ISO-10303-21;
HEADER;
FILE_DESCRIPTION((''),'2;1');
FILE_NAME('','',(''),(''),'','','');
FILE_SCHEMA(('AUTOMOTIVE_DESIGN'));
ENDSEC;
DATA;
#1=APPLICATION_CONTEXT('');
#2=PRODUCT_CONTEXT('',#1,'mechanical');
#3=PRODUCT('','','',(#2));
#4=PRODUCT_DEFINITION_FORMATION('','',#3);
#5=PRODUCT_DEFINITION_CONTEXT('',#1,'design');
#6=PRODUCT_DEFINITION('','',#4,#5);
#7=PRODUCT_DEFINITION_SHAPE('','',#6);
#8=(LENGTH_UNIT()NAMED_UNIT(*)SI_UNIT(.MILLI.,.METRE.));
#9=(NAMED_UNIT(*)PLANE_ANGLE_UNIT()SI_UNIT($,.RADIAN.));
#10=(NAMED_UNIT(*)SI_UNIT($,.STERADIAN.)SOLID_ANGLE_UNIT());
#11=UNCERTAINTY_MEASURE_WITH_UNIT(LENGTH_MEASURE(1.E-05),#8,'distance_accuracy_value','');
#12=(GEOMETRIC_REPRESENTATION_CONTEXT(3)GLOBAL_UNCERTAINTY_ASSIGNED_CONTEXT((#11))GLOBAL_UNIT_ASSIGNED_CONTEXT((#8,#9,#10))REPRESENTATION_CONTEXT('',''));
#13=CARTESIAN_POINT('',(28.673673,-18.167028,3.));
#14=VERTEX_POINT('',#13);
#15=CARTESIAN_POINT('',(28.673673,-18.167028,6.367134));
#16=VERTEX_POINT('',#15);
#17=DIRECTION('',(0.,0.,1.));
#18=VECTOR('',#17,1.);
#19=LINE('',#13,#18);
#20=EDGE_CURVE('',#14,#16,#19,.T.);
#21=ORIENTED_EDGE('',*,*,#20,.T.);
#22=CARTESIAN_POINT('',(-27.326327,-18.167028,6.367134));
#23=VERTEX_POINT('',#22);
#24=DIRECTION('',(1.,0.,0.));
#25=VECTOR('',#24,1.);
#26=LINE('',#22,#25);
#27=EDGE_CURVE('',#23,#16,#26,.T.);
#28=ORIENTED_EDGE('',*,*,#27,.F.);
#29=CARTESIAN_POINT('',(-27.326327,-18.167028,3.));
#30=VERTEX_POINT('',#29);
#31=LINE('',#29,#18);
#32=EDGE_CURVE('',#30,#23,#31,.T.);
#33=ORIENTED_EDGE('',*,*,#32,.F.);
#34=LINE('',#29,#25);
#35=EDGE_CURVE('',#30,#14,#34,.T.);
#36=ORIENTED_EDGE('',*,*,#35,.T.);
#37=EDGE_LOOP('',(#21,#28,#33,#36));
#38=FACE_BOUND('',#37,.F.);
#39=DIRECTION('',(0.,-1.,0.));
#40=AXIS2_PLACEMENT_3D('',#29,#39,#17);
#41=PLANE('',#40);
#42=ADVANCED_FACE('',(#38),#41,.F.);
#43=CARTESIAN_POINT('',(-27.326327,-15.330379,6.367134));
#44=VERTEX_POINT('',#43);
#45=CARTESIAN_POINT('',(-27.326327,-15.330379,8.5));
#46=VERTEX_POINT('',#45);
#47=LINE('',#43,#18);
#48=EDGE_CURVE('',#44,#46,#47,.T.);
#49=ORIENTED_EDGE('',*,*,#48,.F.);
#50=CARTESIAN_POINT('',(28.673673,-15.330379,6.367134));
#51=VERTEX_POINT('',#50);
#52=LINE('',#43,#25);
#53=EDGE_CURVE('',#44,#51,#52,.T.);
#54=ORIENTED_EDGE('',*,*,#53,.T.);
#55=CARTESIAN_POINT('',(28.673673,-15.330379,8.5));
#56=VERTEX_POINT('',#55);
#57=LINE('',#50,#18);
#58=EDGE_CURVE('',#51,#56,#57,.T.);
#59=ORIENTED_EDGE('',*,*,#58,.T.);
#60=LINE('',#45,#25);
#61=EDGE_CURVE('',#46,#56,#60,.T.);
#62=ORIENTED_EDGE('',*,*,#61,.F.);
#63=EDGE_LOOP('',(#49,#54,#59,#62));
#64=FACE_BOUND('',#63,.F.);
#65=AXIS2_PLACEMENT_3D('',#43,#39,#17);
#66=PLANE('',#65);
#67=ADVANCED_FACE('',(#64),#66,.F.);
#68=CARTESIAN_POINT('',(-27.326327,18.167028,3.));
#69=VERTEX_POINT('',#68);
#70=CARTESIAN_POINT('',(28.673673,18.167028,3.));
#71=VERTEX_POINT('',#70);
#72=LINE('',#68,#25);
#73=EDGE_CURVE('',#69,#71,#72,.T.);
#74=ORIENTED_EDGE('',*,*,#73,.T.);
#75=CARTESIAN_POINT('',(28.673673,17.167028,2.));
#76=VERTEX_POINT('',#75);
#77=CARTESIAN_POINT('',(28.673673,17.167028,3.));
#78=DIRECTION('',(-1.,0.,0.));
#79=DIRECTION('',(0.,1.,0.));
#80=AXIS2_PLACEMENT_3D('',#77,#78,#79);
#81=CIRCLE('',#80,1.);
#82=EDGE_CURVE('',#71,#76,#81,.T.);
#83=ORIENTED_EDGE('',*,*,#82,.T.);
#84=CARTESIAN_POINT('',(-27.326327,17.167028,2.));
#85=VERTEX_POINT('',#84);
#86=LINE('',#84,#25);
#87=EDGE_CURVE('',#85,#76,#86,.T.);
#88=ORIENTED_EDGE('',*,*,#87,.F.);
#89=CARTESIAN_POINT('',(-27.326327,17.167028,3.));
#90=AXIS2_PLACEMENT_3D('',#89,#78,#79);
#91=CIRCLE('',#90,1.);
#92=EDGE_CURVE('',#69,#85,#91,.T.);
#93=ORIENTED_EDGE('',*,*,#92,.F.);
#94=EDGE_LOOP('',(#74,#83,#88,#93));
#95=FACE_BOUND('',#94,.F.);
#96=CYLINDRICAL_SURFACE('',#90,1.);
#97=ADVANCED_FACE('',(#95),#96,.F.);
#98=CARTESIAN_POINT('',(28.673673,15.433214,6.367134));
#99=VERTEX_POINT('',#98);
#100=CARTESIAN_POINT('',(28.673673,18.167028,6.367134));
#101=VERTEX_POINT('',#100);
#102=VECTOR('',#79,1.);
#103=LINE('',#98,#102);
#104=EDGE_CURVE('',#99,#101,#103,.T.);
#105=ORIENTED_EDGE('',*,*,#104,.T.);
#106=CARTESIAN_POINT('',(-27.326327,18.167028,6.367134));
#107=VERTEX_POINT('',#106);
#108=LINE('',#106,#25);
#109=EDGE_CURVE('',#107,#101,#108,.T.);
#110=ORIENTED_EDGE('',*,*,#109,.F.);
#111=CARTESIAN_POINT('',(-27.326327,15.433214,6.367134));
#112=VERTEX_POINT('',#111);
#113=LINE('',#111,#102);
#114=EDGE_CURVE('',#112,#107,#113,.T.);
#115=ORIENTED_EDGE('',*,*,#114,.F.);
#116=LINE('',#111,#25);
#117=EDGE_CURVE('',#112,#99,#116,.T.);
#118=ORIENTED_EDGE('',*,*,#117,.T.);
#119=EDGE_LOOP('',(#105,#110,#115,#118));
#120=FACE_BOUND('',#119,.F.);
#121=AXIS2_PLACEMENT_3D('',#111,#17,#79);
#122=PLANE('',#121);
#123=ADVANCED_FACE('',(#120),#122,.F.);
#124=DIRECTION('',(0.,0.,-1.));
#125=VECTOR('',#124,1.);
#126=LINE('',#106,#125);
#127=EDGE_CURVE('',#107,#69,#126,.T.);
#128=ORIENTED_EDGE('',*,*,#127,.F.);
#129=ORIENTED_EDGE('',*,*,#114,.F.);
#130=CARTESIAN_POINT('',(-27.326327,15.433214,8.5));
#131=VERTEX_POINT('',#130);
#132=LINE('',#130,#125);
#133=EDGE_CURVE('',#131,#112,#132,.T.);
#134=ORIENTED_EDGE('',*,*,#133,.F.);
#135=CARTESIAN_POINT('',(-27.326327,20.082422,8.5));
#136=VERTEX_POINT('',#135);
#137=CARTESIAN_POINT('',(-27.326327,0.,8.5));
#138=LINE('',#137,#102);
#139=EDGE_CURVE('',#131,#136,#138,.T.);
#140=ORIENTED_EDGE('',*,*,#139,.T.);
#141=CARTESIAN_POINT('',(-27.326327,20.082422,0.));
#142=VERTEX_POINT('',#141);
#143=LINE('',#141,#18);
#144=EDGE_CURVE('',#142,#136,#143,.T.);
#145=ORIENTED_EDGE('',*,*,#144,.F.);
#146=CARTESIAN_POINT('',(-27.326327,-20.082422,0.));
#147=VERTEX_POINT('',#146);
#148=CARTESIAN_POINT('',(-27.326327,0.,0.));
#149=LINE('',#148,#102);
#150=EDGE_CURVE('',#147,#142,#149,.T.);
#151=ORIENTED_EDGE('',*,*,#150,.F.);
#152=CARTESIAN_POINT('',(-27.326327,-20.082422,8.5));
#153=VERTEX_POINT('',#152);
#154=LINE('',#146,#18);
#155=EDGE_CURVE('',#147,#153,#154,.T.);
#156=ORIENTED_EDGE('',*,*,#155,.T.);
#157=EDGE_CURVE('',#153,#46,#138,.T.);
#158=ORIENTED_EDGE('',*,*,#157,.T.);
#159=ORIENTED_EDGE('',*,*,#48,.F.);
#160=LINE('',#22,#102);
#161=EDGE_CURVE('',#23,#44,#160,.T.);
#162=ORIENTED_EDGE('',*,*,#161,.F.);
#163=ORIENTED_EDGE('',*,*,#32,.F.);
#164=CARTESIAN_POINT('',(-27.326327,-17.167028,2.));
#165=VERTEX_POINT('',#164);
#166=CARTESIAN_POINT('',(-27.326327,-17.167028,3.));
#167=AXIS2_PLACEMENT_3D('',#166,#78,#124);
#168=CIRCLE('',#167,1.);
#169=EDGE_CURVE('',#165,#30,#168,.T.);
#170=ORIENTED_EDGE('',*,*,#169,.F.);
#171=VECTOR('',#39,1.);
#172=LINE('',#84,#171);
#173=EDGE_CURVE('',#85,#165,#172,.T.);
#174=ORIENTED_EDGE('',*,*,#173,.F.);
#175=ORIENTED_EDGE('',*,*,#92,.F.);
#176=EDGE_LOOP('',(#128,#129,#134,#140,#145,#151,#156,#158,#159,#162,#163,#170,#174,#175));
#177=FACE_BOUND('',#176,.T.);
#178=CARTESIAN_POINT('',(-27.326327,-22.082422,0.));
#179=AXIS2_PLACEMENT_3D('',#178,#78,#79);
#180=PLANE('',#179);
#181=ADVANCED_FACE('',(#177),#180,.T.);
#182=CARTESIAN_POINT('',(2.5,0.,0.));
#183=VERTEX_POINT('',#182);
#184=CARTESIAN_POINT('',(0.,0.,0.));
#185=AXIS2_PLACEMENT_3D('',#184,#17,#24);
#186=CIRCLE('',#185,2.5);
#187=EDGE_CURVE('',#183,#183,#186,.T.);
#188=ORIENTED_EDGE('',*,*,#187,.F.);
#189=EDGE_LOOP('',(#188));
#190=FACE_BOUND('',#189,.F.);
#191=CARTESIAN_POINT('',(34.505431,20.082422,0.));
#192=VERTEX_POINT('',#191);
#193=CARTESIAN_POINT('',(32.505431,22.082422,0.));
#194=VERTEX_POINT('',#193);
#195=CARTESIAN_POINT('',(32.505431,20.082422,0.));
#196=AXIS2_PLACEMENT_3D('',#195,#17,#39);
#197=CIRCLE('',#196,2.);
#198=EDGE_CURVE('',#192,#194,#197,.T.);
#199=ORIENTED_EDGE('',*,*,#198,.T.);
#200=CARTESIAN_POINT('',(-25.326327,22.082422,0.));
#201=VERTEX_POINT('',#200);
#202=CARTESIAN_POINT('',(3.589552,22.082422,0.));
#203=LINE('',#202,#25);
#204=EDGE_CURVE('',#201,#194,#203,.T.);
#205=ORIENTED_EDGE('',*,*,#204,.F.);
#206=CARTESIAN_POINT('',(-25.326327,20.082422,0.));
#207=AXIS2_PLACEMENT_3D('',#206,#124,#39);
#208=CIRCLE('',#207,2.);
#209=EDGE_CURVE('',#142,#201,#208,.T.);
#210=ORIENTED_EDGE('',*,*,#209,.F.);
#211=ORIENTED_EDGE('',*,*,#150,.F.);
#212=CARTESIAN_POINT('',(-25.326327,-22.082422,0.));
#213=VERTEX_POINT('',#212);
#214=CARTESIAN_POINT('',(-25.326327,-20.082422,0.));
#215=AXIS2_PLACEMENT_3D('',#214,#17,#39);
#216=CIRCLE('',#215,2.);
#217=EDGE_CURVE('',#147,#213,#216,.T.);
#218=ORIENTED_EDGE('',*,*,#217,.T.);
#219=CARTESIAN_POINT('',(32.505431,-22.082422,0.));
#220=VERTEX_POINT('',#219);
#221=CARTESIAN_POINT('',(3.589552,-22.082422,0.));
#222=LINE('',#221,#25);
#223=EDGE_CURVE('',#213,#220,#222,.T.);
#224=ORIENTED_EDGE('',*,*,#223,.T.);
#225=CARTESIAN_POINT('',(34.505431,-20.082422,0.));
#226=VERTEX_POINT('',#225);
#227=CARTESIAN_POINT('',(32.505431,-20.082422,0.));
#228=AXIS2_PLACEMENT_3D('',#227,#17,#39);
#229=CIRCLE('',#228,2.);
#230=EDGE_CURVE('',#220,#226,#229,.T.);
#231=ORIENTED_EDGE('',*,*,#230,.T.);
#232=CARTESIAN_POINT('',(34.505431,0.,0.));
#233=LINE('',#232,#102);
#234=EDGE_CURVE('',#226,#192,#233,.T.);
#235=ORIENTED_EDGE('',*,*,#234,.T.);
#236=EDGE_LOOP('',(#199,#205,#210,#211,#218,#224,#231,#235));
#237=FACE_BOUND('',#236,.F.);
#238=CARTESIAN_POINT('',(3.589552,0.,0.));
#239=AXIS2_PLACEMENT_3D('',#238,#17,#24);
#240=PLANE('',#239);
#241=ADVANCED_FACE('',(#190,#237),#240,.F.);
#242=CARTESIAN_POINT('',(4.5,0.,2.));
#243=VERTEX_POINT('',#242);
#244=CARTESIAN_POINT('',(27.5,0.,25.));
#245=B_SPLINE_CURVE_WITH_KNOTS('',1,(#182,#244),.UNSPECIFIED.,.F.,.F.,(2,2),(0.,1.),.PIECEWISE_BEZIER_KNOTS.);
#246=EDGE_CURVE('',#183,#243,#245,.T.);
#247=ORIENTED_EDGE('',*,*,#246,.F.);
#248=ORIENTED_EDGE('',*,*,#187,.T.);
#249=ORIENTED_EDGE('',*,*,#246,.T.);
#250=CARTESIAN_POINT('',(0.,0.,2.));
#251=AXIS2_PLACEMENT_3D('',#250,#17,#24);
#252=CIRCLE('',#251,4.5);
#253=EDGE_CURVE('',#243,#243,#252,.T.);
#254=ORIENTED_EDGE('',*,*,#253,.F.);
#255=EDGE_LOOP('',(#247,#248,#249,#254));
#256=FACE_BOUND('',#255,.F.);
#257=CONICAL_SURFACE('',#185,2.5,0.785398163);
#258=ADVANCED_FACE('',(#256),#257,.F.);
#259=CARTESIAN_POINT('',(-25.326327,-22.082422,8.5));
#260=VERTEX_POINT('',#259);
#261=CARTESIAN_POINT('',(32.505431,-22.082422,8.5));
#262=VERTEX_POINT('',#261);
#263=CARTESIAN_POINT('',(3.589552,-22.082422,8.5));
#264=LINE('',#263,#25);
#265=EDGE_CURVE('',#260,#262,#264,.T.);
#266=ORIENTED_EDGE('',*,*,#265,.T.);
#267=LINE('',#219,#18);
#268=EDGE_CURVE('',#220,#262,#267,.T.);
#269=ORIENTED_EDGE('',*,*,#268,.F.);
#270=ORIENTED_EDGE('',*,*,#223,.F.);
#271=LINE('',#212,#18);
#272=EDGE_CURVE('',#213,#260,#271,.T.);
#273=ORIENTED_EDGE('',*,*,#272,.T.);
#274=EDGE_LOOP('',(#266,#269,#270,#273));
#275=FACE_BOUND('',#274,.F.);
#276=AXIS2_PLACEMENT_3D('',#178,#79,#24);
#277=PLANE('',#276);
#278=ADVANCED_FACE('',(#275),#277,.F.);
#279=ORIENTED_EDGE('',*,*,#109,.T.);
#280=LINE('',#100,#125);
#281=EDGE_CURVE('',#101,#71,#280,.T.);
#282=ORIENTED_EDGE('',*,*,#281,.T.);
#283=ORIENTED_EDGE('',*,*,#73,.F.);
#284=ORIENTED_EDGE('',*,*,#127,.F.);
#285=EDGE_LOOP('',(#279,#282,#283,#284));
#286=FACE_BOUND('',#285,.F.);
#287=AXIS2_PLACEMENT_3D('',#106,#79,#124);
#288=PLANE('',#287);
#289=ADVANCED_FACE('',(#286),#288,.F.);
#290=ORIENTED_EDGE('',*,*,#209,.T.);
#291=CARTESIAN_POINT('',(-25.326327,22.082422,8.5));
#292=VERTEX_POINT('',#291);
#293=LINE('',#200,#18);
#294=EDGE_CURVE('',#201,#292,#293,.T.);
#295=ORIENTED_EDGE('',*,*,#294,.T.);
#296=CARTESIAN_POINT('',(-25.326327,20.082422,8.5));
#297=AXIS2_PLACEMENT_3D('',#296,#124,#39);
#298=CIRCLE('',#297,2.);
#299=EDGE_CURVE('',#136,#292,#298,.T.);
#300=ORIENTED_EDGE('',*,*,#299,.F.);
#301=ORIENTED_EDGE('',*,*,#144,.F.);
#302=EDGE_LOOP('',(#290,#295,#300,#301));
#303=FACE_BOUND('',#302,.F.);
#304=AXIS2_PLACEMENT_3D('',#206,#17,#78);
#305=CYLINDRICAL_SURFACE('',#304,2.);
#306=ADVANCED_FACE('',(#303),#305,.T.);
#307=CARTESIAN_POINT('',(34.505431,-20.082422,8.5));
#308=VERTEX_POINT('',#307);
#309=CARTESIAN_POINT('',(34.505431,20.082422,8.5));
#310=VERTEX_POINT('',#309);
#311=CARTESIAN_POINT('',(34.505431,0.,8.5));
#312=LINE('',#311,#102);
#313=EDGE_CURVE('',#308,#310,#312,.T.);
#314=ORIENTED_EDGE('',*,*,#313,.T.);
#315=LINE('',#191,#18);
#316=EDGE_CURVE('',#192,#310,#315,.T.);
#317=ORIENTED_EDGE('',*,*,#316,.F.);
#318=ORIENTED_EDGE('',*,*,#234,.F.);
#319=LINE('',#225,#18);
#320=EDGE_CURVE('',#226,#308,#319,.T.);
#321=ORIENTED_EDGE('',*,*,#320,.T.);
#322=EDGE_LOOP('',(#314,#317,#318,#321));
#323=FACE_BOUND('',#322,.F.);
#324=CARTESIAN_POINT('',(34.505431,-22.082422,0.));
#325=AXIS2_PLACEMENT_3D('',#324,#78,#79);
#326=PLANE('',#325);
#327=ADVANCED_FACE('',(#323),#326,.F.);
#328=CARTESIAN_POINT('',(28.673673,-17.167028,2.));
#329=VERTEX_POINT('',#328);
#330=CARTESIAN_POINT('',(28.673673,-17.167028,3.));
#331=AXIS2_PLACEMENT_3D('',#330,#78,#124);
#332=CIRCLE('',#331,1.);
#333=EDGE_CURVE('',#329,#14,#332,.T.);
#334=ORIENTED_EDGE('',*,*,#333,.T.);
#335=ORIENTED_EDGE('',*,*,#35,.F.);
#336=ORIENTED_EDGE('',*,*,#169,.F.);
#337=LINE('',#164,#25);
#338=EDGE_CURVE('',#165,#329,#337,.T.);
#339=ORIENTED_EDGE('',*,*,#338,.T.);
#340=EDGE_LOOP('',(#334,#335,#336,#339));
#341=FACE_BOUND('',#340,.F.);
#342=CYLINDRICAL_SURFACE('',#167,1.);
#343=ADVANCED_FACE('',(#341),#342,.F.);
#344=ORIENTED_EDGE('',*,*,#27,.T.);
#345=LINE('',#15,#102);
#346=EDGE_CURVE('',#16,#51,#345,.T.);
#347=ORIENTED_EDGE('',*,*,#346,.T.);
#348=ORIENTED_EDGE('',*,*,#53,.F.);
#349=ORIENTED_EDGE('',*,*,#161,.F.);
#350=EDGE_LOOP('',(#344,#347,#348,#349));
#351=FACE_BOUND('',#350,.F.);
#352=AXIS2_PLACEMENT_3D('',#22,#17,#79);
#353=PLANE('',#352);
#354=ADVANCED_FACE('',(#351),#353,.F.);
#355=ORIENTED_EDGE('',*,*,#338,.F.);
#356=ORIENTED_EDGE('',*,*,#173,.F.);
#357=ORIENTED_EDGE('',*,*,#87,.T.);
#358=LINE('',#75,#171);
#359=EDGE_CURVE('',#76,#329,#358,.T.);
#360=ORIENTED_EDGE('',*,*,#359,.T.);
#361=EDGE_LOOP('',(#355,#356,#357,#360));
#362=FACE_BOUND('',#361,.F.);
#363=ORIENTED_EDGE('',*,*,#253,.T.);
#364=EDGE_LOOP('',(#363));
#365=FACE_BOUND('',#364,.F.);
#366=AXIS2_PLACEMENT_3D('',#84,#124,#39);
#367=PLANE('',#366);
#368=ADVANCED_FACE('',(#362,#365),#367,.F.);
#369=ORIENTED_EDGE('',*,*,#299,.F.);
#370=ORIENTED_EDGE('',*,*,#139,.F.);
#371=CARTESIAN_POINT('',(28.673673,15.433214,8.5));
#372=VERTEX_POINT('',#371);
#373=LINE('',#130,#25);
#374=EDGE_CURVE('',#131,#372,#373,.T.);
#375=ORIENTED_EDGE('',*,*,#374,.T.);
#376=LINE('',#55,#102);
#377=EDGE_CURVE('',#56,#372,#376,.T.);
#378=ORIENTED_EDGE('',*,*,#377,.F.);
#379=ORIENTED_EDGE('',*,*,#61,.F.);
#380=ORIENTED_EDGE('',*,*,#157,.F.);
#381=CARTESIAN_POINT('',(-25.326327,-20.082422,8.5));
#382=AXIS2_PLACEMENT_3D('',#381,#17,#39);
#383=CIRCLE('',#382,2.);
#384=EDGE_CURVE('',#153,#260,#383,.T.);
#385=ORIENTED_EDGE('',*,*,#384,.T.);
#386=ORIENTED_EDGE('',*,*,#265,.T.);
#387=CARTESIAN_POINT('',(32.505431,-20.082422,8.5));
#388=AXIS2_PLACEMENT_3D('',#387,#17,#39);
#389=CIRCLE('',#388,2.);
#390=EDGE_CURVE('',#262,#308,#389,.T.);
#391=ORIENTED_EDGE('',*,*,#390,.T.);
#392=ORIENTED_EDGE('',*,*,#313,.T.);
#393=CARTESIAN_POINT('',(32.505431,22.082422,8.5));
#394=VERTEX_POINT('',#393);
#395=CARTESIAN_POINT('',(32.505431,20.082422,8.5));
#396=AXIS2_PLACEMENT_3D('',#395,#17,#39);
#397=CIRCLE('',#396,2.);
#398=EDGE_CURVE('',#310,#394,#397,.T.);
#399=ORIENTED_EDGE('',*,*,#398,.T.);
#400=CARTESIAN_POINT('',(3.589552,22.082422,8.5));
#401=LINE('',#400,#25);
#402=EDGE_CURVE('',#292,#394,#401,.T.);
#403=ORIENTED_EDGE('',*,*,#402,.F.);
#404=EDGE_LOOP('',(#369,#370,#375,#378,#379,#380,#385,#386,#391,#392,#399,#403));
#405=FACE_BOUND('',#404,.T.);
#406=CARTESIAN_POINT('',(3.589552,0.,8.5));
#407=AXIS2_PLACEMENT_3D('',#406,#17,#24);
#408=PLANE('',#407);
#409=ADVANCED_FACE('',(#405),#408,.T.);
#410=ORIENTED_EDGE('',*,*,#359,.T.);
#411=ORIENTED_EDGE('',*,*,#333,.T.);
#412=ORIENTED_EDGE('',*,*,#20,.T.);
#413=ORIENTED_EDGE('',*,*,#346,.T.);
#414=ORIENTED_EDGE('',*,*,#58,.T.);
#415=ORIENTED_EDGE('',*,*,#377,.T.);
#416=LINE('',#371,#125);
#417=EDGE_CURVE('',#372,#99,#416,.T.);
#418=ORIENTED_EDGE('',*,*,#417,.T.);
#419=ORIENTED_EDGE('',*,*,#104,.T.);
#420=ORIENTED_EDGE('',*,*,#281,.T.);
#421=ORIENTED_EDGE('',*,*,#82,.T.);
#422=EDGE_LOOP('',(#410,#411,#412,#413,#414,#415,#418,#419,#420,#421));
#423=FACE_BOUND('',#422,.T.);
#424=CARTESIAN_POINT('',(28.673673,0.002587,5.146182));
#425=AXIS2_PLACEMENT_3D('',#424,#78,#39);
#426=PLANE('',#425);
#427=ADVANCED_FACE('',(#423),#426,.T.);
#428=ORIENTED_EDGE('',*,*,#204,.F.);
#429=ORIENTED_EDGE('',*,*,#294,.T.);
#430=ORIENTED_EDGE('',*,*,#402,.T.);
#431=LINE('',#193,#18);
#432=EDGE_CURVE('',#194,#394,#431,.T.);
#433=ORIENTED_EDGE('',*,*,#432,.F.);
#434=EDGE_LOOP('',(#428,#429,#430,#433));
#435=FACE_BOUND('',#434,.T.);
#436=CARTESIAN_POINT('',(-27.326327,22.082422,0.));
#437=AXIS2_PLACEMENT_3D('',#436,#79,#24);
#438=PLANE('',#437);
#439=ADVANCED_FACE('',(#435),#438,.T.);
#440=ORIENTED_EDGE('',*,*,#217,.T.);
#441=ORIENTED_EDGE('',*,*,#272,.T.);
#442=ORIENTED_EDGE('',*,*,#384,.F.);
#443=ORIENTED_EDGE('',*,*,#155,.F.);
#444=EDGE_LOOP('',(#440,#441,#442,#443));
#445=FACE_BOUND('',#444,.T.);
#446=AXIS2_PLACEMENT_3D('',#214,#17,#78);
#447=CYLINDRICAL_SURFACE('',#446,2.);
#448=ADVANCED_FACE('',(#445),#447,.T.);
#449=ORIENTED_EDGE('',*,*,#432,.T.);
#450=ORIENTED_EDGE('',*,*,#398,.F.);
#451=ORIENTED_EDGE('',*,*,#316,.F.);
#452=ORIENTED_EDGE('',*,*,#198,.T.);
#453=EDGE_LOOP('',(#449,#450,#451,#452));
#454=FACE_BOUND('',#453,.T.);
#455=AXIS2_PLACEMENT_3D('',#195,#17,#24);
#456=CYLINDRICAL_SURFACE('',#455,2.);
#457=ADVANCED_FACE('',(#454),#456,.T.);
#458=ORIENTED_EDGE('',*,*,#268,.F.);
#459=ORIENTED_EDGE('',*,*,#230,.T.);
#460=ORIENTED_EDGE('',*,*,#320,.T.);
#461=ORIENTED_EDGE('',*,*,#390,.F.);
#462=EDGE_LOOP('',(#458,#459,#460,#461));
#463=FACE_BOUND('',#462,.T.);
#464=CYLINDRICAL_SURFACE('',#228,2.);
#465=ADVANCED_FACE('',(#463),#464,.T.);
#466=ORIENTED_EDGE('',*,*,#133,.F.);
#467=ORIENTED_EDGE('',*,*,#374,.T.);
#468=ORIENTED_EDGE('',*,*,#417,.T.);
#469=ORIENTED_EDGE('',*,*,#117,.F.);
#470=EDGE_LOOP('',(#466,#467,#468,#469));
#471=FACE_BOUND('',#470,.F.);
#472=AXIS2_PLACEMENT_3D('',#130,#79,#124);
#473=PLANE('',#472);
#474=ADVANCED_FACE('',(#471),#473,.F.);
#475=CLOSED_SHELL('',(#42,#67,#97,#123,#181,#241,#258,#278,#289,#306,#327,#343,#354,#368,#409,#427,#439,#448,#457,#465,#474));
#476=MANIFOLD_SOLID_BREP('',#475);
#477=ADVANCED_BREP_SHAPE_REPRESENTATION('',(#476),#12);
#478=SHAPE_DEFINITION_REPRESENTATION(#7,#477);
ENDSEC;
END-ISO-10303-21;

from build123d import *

# Parameters (mm, degrees)
F0_W     = 61.8317574263
F0_H     = 44.1648438573
F1_DEPTH = 8.5
F2_R     = 2
F4_DEPTH = 56
F5_R     = 2.5
F6_DEPTH = 25
F6_TAPER = -45


with BuildPart() as f1:
    # F0 (on Top) → F1 (new body)
    with BuildSketch(Plane.XY):
        with Locations((3.5895518959, 0)):
            Rectangle(F0_W, F0_H)
    extrude(amount=F1_DEPTH)

    # F2
    f2_edges = [f1.edges().sort_by_distance(p)[0] for p in [
        (-27.326327, -22.082422, 4.25),
        (34.505431, -22.082422, 4.25),
        (-27.326327, 22.082422, 4.25),
        (34.505431, 22.082422, 4.25),
    ]]
    fillet(f2_edges, radius=F2_R)

    # F3 (on face) → F4 (cut)
    with BuildSketch(Plane(origin=(-27.3263268173, 0, 0), x_dir=(0, -1, 0), z_dir=(-1, 0, 0))):
        with BuildLine():
            ThreePointArc((-18.1670283088, 3), (-17.87413509, 2.2928932188), (-17.1670283088, 2))
            Line((-17.1670283088, 2), (17.1670283088, 2))
            ThreePointArc((17.1670283088, 2), (17.87413509, 2.2928932188), (18.1670283088, 3))
            Line((18.1670283088, 3), (18.1670283088, 6.3671339807))
            Line((18.1670283088, 6.3671339807), (15.3303788975, 6.3671339807))
            Line((15.3303788975, 6.3671339807), (15.3303788975, 8.5))
            Line((15.3303788975, 8.5), (-15.4332136735, 8.5))
            Line((-15.4332136735, 8.5), (-15.4332136735, 6.3671339807))
            Line((-15.4332136735, 6.3671339807), (-18.1670283088, 6.3671339807))
            Line((-18.1670283088, 6.3671339807), (-18.1670283088, 3))
        make_face()
    extrude(amount=-F4_DEPTH, mode=Mode.SUBTRACT)

    # F5 (on Top) → F6 (cut)
    with BuildSketch(Plane.XY):
        Circle(F5_R)
    extrude(amount=F6_DEPTH, taper=F6_TAPER, mode=Mode.SUBTRACT)


solid = f1.part
